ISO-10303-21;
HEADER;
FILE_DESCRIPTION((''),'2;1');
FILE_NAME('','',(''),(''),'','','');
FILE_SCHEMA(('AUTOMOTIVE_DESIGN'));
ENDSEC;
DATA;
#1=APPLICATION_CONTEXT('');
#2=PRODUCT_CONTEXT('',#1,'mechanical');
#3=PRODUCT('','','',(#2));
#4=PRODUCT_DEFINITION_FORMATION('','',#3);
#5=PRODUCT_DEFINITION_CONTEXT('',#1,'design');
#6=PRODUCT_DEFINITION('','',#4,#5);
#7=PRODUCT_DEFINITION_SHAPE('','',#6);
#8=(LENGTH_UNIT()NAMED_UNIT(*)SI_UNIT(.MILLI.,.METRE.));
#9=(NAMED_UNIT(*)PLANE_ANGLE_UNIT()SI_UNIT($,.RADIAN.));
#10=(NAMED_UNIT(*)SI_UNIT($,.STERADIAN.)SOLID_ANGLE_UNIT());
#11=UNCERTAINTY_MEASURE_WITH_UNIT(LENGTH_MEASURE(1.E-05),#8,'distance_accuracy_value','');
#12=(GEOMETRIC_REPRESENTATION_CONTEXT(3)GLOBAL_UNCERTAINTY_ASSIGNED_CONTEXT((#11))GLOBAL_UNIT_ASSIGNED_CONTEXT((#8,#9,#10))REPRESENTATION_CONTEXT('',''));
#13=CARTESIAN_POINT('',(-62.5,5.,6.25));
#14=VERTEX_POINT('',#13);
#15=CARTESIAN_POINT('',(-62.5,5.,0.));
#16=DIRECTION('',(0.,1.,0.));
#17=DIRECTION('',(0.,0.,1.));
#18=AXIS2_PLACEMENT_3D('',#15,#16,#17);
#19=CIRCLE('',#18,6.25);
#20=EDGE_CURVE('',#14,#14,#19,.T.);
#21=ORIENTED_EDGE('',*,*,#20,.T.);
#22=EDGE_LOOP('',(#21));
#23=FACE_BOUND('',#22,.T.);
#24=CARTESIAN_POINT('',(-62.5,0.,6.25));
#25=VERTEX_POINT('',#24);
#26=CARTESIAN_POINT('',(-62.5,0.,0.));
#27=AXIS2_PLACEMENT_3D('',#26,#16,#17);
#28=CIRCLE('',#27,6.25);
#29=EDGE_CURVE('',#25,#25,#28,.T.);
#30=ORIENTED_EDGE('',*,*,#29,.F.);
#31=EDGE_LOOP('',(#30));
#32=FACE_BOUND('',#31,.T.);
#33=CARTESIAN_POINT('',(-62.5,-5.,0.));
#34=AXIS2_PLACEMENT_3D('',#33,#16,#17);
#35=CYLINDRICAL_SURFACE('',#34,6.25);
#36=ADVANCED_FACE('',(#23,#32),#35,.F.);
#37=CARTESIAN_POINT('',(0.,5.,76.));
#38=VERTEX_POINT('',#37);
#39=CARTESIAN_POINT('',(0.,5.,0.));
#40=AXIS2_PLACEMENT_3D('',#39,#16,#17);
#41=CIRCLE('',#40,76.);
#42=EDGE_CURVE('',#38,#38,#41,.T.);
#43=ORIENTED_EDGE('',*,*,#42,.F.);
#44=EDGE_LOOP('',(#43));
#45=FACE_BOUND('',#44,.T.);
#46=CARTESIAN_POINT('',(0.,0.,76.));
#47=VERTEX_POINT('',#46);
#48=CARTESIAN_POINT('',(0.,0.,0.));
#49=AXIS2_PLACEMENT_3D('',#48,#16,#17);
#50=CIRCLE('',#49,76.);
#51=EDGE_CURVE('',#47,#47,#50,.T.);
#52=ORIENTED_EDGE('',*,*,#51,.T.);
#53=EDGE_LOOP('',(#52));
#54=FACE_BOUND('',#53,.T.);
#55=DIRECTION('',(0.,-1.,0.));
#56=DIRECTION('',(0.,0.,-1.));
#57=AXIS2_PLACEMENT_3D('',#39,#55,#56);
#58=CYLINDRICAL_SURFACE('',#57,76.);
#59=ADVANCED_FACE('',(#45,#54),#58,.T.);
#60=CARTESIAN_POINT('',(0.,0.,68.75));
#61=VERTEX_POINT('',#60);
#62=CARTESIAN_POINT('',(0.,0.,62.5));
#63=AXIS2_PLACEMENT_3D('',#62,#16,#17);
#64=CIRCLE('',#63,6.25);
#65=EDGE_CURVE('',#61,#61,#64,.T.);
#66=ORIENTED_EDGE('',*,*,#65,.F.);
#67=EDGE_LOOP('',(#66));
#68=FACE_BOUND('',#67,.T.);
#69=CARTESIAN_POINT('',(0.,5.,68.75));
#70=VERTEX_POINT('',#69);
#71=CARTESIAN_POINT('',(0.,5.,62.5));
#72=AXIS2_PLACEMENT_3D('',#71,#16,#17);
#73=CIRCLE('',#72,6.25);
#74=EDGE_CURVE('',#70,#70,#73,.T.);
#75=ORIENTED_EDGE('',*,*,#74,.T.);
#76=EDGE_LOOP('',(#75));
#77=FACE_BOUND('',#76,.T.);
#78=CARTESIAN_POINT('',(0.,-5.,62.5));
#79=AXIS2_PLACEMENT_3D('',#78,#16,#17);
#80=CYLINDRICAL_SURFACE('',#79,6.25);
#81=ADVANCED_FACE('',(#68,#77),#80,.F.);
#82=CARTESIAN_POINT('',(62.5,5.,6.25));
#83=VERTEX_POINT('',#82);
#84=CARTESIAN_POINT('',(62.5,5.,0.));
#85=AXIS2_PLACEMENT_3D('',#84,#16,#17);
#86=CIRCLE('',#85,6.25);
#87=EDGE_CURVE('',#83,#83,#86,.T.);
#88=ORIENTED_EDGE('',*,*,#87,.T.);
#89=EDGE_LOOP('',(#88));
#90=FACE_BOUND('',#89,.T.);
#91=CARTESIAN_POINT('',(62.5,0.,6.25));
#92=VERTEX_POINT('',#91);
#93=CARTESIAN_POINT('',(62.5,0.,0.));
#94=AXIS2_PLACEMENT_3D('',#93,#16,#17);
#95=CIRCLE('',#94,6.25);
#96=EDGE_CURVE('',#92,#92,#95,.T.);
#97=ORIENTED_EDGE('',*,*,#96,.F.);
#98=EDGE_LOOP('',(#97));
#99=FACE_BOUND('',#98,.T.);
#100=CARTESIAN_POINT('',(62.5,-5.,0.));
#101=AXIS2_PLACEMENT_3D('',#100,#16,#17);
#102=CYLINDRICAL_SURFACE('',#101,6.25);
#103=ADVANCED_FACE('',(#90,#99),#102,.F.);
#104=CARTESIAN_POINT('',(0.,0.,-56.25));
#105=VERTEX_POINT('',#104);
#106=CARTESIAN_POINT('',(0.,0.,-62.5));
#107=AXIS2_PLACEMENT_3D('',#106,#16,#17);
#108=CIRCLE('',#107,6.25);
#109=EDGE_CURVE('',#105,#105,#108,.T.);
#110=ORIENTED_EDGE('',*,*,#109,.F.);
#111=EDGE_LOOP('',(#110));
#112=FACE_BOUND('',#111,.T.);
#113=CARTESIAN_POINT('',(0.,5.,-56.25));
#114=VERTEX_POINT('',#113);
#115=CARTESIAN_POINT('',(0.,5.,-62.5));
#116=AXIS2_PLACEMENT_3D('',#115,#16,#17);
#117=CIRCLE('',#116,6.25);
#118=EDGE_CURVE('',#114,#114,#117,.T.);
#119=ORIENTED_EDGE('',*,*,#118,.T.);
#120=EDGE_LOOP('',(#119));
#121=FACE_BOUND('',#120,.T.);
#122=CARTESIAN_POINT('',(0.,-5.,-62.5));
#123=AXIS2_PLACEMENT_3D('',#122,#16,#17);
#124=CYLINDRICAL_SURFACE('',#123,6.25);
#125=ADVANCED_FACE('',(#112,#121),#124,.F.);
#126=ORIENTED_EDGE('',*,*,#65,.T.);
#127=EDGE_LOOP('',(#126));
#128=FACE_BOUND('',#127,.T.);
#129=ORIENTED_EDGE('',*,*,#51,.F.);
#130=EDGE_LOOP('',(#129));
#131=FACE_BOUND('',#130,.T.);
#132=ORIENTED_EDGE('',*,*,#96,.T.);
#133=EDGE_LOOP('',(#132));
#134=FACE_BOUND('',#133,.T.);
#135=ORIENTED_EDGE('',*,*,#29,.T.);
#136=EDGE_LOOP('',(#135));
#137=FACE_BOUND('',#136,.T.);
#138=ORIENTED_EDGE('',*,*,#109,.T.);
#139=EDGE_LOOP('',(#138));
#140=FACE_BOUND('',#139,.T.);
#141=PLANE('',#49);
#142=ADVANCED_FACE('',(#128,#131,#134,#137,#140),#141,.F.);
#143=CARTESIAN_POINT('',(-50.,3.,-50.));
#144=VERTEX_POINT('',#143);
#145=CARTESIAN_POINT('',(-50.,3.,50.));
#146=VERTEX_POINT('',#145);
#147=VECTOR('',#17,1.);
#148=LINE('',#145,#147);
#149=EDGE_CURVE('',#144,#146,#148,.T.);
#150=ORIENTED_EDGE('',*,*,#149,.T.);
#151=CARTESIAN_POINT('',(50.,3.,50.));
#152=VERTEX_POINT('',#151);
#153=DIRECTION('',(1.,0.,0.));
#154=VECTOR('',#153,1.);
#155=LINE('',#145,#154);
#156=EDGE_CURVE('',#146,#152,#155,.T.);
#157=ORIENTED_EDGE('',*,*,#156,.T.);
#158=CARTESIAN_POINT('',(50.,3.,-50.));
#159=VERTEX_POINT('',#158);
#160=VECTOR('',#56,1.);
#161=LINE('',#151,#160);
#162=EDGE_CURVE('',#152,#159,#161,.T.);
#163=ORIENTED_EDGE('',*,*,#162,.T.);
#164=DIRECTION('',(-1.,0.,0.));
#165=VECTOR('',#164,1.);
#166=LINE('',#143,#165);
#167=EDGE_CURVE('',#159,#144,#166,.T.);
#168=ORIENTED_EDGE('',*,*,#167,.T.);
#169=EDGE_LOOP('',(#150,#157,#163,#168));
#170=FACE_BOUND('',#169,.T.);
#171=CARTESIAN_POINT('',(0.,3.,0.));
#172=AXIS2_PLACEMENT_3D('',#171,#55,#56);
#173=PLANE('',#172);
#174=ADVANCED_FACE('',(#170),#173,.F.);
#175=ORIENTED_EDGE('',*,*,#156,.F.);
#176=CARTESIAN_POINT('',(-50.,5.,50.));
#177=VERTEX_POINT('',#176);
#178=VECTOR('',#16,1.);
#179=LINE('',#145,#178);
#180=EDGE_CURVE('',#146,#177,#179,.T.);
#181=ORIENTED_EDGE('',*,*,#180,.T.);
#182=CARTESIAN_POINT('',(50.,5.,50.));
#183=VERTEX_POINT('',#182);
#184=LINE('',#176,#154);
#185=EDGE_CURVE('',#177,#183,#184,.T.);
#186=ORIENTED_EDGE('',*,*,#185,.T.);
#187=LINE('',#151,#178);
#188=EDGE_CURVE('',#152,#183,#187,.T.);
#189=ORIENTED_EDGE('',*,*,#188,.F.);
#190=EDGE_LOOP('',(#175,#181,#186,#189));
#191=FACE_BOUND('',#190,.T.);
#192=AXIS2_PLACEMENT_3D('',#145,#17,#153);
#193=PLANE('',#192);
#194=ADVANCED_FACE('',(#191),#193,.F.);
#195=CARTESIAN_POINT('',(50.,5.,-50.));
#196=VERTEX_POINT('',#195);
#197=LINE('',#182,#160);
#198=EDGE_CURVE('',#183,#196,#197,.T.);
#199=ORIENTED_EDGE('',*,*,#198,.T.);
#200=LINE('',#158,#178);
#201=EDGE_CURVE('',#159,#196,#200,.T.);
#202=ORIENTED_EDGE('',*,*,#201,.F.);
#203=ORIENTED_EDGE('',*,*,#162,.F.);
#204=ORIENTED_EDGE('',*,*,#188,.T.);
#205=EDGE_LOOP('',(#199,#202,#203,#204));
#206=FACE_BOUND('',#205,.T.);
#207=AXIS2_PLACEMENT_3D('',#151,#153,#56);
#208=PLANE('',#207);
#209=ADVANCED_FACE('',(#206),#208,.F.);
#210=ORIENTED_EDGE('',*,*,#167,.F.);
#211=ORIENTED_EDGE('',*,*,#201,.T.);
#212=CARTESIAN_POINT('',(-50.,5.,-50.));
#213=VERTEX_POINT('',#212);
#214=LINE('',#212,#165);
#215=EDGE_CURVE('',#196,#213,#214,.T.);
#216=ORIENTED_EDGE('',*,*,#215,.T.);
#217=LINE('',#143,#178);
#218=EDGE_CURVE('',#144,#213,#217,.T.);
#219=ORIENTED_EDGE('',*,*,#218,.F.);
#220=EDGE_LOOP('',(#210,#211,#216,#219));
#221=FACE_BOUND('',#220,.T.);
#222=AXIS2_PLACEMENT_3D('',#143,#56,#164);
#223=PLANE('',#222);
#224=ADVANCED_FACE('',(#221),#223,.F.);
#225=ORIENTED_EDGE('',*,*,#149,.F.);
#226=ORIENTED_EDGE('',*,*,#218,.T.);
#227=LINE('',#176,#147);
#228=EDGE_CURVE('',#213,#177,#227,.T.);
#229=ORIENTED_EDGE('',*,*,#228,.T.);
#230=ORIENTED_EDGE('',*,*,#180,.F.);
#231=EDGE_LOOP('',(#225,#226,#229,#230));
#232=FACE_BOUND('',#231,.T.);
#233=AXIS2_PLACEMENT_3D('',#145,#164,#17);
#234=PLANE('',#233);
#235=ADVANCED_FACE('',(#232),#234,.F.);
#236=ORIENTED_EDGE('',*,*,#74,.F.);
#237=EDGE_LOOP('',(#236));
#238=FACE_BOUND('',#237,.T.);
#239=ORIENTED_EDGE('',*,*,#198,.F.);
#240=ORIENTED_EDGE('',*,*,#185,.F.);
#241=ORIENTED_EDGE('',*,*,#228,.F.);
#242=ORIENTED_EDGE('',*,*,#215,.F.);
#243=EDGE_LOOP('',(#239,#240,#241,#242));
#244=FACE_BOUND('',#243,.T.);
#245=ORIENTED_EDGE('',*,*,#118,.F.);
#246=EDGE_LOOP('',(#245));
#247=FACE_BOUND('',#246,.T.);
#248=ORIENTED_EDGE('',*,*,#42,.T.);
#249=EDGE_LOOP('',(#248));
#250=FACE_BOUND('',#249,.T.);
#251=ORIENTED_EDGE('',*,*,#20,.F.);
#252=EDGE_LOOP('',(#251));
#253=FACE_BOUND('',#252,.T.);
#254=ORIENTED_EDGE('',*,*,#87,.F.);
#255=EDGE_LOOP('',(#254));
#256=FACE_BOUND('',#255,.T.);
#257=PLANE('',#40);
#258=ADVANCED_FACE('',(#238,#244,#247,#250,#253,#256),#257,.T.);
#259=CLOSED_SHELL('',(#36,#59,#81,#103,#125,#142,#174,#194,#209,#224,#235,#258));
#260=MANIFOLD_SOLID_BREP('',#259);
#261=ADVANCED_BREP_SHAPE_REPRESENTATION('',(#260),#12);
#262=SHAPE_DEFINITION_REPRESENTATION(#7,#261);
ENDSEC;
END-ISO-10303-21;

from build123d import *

# Parameters (mm, degrees)
SKETCH1_R           = 76
SKETCH1_W           = 100
SKETCH1_H           = 100
BOSS_EXTRUDE1_DEPTH = 5
SKETCH3_W           = 100
SKETCH3_H           = 100
BOSS_EXTRUDE2_DEPTH = 5
SKETCH3_2_W         = 100
SKETCH3_2_H         = 100
CUT_EXTRUDE1_DEPTH  = 2
SKETCH6_R           = 6.25
CUT_EXTRUDE2_DEPTH  = 10


with BuildPart() as part:
    # Sketch1 → Boss-Extrude1 (new body)
    with BuildSketch(Plane(origin=(0, 0, 0), x_dir=(1, 0, 0), z_dir=(0, 1, 0))):
        Circle(SKETCH1_R)
        Rectangle(SKETCH1_W, SKETCH1_H, mode=Mode.SUBTRACT)
    extrude(amount=BOSS_EXTRUDE1_DEPTH)

    # Sketch3 → Boss-Extrude2 (add)
    with BuildSketch(Plane(origin=(0, 5, 0), x_dir=(1, 0, 0), z_dir=(0, 1, 0))):
        Rectangle(SKETCH3_W, SKETCH3_H)
    extrude(amount=-BOSS_EXTRUDE2_DEPTH)

    # Sketch3<2> → Cut-Extrude1 (cut)
    with BuildSketch(Plane(origin=(0, 5, 0), x_dir=(1, 0, 0), z_dir=(0, 1, 0))):
        Rectangle(SKETCH3_2_W, SKETCH3_2_H)
    extrude(amount=-CUT_EXTRUDE1_DEPTH, mode=Mode.SUBTRACT)

    # Sketch6 → Cut-Extrude2 (cut)
    with BuildSketch(Plane(origin=(0, 5, 0), x_dir=(1, 0, 0), z_dir=(0, 1, 0))):
        with Locations((0, 62.5)):
            Circle(SKETCH6_R)
        with Locations((62.5, 0)):
            Circle(SKETCH6_R)
        with Locations((0, -62.5)):
            Circle(SKETCH6_R)
        with Locations((-62.5, 0)):
            Circle(SKETCH6_R)
    extrude(amount=-CUT_EXTRUDE2_DEPTH, mode=Mode.SUBTRACT)


solid = part.part
